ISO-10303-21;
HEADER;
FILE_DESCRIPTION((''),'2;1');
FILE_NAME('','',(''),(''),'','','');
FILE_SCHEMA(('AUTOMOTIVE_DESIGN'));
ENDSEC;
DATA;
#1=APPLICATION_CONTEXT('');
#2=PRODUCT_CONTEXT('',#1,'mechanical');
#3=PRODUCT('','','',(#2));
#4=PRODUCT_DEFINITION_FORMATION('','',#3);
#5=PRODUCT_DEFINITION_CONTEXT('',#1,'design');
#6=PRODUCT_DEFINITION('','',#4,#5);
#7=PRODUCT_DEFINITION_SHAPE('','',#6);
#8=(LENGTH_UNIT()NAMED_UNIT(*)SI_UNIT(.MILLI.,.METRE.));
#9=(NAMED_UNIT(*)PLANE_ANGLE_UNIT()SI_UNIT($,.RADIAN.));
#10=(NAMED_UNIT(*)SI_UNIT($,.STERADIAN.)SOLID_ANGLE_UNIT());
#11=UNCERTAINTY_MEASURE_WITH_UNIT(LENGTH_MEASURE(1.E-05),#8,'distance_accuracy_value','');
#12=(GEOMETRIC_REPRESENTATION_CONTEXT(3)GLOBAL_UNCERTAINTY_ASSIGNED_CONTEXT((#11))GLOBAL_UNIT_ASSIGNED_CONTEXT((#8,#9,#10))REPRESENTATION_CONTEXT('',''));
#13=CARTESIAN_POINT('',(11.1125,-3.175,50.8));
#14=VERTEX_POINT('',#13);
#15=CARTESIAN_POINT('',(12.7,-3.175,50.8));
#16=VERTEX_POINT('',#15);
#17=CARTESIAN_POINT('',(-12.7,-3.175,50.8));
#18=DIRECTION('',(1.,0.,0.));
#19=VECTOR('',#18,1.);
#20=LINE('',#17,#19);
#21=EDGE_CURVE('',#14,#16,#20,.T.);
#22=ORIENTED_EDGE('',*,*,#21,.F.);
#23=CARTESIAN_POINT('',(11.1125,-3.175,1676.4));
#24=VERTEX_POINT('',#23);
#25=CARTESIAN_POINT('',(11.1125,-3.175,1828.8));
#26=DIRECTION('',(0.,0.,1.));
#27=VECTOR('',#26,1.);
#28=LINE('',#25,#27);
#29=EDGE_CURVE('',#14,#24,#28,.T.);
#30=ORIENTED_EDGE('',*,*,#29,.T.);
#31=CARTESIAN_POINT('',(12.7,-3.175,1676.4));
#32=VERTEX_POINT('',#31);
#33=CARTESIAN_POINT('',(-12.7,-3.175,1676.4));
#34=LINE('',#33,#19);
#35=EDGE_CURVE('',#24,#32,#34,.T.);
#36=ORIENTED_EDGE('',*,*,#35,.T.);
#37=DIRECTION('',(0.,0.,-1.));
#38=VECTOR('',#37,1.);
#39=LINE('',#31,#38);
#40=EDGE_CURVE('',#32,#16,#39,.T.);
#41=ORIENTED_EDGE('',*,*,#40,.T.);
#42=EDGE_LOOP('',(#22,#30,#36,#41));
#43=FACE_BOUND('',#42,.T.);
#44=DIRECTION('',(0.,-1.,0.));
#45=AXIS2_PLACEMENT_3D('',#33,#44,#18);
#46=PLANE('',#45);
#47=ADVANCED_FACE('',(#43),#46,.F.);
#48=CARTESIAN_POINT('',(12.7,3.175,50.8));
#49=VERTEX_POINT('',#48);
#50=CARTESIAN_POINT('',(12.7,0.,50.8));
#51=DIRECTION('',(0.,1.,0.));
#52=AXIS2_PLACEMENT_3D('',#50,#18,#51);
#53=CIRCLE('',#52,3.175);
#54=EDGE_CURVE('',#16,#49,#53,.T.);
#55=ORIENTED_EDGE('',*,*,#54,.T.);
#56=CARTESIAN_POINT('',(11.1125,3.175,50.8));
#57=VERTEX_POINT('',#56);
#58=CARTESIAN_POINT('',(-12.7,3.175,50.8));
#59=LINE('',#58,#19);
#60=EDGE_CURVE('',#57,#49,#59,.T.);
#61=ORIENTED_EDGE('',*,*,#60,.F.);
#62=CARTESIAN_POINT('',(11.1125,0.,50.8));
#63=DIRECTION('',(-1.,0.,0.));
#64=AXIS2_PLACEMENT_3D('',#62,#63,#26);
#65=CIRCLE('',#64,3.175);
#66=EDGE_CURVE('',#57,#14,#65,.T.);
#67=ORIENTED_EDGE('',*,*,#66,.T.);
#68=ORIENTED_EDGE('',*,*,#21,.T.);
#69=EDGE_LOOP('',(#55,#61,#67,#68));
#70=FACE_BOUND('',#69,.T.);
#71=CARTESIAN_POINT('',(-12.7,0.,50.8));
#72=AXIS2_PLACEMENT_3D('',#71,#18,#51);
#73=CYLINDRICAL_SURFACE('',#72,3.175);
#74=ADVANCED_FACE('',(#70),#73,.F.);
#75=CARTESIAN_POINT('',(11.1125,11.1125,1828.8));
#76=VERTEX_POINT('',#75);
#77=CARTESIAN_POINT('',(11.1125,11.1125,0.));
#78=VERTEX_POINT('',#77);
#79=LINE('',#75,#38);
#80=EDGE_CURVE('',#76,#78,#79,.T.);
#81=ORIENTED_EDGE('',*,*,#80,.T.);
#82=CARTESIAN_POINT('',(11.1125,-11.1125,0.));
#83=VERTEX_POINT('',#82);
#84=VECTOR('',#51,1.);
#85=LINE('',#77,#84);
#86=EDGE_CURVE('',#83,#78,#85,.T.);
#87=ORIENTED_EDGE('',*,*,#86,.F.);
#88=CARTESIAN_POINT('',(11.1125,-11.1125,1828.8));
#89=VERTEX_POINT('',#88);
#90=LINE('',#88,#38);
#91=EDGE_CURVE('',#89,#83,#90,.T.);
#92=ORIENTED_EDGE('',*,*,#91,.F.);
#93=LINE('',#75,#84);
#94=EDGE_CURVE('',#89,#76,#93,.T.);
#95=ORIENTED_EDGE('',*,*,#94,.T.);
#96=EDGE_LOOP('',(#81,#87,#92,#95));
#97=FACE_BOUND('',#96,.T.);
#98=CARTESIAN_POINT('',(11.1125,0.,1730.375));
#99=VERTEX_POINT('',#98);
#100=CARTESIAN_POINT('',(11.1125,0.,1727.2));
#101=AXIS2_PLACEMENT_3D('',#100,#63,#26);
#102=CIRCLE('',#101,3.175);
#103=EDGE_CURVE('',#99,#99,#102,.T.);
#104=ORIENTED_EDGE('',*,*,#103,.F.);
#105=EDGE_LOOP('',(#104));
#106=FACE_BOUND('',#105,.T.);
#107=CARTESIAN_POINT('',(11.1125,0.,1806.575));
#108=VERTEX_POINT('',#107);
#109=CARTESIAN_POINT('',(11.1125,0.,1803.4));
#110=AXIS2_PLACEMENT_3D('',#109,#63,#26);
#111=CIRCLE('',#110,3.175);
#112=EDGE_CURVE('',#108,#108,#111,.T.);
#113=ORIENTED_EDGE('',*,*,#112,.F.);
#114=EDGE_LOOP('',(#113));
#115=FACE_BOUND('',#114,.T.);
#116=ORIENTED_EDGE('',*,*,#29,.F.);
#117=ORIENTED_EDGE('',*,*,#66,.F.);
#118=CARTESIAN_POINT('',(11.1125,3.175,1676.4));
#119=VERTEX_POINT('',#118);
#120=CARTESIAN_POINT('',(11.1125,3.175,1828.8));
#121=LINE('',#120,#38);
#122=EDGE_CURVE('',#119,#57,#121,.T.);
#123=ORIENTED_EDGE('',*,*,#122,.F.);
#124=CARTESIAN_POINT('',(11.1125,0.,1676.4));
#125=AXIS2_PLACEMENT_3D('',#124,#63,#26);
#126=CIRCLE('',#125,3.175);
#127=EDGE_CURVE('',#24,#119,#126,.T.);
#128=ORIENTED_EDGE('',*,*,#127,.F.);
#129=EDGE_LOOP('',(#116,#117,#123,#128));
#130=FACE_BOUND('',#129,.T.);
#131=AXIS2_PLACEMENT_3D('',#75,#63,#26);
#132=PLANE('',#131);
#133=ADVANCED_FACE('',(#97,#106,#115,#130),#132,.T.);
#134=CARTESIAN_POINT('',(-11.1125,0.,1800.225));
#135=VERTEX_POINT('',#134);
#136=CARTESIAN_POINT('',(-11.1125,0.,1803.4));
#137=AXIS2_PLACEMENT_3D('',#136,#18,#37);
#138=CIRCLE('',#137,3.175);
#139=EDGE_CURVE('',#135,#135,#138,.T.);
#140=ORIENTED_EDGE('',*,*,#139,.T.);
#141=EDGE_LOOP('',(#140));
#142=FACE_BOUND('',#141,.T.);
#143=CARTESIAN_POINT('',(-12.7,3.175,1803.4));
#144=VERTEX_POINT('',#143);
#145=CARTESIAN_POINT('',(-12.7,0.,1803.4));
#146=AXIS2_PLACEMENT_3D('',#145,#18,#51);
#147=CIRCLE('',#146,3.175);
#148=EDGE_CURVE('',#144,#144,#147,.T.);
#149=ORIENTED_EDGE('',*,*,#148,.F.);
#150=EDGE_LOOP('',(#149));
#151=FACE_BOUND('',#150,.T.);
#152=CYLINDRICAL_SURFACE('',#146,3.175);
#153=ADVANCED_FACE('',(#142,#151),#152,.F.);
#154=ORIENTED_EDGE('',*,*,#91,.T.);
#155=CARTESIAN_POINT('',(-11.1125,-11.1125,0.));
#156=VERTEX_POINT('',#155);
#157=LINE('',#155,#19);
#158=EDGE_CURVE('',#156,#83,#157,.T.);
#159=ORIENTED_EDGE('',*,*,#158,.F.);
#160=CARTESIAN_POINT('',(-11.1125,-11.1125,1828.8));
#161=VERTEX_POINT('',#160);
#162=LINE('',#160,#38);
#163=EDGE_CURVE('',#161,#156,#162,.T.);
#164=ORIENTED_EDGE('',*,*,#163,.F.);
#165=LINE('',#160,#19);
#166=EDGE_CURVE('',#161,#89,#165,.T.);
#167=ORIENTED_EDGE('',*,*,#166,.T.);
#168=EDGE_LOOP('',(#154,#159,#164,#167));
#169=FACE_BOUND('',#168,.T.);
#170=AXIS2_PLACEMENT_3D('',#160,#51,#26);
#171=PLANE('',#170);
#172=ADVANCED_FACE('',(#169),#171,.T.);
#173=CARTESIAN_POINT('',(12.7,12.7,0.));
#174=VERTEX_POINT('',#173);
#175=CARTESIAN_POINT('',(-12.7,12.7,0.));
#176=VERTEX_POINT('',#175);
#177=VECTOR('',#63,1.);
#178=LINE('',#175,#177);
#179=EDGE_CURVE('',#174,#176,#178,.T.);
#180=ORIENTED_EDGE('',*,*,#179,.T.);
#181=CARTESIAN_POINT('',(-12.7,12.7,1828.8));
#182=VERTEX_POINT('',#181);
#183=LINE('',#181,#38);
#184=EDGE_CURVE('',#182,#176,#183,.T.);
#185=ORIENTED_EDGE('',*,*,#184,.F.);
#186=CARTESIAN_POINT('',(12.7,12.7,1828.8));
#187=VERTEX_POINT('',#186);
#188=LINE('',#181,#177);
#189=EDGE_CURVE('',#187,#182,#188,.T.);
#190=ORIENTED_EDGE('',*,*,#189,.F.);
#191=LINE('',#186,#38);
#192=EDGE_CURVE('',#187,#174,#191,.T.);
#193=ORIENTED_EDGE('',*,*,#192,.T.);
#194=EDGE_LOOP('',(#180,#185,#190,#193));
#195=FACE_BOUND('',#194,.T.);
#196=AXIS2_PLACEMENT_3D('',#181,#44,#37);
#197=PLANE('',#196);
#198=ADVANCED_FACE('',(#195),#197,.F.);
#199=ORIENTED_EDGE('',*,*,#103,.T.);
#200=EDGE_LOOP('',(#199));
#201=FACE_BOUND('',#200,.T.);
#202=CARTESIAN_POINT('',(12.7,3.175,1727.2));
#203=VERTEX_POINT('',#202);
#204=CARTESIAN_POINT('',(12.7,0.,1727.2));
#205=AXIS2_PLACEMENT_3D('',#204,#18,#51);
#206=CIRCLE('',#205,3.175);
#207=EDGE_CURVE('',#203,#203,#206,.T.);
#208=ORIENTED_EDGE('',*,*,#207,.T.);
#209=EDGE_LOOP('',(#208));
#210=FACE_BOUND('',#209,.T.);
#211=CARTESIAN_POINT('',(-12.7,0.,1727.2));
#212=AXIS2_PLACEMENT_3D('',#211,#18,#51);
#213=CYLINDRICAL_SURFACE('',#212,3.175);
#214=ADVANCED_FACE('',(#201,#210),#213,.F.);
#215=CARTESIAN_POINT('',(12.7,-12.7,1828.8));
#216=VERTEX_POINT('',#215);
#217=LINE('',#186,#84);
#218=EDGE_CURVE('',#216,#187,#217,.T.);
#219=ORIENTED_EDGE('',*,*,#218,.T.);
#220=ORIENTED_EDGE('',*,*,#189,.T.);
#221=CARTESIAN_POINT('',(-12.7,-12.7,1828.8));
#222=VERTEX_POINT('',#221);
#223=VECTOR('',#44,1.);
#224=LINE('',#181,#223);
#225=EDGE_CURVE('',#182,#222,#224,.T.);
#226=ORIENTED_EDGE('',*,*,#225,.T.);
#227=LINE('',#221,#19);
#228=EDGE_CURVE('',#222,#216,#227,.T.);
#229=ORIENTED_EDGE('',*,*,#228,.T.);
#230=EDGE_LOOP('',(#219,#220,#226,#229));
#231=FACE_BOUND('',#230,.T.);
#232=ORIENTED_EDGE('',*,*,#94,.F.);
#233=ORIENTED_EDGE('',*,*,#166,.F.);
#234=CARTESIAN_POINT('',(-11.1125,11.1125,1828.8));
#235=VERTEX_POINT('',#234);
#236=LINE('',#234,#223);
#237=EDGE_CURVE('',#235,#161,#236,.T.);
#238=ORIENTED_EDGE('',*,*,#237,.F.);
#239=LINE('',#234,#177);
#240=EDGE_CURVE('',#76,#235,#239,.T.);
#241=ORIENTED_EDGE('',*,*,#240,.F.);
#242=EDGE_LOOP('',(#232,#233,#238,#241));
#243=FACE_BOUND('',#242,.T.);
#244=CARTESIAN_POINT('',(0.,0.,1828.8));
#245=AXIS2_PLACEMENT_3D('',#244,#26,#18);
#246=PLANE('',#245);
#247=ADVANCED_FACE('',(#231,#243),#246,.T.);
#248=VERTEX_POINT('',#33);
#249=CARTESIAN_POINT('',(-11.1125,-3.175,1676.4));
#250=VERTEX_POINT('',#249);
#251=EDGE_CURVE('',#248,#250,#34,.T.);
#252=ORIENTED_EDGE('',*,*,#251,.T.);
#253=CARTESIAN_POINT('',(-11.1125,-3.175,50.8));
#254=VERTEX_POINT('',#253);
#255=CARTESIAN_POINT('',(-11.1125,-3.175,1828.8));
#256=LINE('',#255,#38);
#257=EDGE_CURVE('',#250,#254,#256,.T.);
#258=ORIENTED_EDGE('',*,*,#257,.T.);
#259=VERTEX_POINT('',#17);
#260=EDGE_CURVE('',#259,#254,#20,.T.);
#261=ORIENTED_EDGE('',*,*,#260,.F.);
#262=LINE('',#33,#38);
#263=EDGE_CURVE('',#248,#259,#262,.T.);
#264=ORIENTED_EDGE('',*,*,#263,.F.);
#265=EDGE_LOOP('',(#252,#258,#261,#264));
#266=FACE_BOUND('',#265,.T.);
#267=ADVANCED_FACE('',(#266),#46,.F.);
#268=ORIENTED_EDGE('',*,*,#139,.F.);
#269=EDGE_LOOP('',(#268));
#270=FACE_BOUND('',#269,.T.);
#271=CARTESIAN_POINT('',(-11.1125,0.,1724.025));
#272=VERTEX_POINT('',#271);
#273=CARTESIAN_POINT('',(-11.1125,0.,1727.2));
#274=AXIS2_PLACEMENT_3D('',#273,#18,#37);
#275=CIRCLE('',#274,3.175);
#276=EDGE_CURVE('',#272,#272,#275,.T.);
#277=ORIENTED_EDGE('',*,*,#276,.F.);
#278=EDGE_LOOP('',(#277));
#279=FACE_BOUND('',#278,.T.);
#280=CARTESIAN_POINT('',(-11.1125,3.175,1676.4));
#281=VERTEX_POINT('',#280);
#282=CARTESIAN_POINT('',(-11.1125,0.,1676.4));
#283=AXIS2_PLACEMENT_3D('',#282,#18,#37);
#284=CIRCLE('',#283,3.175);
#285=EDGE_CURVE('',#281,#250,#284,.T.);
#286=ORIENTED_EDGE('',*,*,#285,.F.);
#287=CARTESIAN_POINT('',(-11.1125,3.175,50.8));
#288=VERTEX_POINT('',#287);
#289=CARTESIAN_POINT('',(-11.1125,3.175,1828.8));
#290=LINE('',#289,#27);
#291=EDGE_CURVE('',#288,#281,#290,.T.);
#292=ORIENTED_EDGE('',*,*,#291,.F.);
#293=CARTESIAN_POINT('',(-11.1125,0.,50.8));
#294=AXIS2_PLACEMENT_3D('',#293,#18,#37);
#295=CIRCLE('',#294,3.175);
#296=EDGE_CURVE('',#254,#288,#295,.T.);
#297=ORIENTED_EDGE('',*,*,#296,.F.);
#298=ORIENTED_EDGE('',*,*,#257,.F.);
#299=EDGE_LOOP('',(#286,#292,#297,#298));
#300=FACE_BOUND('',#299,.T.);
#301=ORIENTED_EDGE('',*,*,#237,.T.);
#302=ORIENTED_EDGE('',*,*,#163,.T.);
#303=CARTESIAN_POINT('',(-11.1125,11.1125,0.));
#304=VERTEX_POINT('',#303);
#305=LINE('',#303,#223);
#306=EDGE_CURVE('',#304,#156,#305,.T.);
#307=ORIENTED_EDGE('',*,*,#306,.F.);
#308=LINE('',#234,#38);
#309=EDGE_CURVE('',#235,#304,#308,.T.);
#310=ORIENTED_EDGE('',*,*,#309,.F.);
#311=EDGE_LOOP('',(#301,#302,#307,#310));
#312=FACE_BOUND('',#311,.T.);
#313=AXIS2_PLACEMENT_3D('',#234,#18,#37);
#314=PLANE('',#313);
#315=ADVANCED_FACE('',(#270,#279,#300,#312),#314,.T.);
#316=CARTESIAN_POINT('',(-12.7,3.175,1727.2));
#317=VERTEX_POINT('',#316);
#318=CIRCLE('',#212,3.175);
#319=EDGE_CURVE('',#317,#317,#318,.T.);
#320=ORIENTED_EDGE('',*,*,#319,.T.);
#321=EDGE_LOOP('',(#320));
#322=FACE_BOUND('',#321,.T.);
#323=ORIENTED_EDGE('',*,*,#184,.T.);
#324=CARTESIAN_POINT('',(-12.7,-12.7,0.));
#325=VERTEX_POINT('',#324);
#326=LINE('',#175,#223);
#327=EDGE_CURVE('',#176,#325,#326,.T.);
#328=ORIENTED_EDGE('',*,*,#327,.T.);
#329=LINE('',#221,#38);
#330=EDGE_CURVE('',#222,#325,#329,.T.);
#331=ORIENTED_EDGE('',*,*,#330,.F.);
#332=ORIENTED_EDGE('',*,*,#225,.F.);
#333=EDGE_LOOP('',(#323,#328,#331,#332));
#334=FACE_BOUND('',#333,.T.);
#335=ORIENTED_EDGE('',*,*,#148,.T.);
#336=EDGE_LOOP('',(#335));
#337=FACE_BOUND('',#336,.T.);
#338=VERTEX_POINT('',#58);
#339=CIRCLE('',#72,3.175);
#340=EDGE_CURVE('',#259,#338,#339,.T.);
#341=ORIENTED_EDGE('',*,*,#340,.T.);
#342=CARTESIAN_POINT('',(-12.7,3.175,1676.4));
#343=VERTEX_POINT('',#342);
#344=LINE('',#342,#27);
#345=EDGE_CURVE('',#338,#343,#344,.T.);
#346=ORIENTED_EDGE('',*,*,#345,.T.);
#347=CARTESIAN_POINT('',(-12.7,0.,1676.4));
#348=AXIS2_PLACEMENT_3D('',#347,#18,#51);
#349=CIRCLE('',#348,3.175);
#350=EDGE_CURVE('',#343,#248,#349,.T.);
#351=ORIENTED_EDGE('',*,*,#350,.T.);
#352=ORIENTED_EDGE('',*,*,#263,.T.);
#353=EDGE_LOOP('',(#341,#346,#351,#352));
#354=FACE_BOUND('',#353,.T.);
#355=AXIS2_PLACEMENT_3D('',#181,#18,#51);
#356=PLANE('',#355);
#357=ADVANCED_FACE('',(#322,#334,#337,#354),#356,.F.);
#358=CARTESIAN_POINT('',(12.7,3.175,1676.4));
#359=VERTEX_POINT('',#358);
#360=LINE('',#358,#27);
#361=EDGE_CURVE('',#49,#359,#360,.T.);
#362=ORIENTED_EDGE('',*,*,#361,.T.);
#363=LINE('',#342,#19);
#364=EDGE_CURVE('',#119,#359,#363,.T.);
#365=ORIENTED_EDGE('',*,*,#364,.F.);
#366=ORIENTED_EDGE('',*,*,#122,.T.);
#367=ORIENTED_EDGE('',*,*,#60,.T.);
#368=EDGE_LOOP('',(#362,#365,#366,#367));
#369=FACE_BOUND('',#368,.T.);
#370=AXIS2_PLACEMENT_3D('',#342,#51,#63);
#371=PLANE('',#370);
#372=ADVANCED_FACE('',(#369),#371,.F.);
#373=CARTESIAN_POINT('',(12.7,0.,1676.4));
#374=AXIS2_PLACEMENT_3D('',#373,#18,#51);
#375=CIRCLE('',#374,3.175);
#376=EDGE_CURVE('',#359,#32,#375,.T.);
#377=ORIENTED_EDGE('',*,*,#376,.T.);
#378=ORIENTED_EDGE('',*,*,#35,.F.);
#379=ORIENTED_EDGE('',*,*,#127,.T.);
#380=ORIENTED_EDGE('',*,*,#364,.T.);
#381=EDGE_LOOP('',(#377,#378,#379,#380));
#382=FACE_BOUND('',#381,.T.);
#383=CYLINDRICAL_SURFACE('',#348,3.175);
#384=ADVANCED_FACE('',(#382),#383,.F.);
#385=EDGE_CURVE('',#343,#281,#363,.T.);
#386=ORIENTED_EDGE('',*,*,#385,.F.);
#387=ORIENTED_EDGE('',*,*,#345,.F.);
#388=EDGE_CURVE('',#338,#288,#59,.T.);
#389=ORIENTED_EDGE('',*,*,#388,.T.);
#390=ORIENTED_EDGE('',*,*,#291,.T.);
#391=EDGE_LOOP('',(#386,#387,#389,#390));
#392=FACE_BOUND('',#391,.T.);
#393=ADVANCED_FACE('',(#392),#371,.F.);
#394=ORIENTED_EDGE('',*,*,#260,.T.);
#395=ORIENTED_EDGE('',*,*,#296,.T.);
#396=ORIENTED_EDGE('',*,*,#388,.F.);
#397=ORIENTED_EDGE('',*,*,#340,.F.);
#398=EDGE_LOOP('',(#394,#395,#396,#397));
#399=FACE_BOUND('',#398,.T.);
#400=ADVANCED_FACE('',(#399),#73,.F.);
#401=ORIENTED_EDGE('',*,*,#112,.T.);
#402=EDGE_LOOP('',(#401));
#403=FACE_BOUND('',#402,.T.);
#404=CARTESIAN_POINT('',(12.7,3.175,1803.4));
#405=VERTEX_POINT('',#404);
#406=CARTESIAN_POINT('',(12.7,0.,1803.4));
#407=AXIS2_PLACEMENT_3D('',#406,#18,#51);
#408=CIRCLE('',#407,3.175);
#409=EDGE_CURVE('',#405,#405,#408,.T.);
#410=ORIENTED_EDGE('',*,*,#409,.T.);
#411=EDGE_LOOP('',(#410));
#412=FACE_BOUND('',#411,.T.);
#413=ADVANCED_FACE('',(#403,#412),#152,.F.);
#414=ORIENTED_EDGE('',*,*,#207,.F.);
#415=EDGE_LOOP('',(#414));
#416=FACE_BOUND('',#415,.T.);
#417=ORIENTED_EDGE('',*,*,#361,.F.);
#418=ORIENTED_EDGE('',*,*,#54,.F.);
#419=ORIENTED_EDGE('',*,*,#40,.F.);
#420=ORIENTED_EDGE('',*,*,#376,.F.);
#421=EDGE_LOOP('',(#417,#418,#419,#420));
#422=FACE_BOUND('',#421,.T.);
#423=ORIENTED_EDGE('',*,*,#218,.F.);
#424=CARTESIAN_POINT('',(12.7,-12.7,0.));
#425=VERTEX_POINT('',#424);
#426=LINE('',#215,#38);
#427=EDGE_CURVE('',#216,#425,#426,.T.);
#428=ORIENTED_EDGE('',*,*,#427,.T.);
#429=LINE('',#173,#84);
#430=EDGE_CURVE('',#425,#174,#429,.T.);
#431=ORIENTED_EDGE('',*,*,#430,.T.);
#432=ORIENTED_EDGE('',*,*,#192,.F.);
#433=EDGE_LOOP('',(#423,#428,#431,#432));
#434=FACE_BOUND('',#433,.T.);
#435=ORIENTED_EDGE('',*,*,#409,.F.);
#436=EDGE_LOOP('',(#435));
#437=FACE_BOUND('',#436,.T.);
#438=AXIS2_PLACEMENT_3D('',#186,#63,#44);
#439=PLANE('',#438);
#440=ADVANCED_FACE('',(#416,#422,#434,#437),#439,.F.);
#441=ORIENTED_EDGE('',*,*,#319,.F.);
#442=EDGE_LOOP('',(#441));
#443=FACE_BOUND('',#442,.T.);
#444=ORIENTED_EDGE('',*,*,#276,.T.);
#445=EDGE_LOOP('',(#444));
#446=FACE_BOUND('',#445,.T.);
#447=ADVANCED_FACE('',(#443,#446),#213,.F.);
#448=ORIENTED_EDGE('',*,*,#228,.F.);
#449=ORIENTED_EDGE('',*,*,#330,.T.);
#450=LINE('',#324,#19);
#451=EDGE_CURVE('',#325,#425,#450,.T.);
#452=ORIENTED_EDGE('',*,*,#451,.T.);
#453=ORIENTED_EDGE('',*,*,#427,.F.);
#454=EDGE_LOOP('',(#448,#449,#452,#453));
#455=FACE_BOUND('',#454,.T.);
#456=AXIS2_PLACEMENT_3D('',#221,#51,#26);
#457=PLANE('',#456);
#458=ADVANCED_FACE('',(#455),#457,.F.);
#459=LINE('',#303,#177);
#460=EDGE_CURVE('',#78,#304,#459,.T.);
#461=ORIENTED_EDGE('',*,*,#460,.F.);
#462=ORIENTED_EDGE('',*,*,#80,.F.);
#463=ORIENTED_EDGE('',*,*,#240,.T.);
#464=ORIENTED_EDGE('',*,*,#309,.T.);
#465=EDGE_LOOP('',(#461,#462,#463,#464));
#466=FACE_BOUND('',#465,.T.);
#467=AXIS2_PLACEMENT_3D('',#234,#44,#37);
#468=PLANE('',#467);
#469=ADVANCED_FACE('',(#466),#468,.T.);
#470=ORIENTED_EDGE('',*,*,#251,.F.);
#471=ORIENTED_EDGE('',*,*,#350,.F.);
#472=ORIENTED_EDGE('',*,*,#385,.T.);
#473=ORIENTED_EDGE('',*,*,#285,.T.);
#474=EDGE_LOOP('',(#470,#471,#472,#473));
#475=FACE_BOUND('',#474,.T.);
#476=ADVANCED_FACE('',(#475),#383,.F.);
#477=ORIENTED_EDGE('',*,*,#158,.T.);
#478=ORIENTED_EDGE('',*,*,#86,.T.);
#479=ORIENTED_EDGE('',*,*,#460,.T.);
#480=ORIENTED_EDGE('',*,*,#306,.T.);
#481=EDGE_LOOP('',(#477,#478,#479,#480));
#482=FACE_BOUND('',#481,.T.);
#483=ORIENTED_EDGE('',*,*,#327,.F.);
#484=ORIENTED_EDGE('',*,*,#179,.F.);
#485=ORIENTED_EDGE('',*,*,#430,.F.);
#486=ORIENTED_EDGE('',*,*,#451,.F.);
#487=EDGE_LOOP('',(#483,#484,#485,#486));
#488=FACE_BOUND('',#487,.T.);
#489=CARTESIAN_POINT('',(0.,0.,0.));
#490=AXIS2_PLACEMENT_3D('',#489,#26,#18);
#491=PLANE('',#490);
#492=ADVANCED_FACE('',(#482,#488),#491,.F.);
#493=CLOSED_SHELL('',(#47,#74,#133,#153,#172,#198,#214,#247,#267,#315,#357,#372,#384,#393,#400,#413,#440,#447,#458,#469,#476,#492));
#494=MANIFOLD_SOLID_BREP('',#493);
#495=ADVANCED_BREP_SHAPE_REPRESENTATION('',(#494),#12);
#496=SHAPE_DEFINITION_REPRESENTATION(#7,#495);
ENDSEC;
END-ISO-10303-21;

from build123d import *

# Parameters (mm, degrees)
SKETCH1_W           = 25.4
SKETCH1_H           = 25.4
SKETCH1_W_2         = 22.225
SKETCH1_H_2         = 22.225
BOSS_EXTRUDE1_DEPTH = 1828.8
SKETCH2_R           = 3.175
CUT_EXTRUDE1_DEPTH  = 26.4
CUT_EXTRUDE2_DEPTH  = 26.4


with BuildPart() as part:
    # Sketch1 → Boss-Extrude1 (new body)
    with BuildSketch(Plane.XY):
        Rectangle(SKETCH1_W, SKETCH1_H)
        Rectangle(SKETCH1_W_2, SKETCH1_H_2, mode=Mode.SUBTRACT)
    extrude(amount=BOSS_EXTRUDE1_DEPTH)

    # Sketch2 → Cut-Extrude1 (cut, through all)
    with BuildSketch(Plane(origin=(12.7, 0, 0), x_dir=(0, 0, -1), z_dir=(1, 0, 0))):
        with Locations((-1727.2, 0)):
            Circle(SKETCH2_R)
        with Locations((-1803.4, 0)):
            Circle(SKETCH2_R)
    extrude(amount=-CUT_EXTRUDE1_DEPTH, mode=Mode.SUBTRACT)

    # Sketch3 → Cut-Extrude2 (cut, through all)
    with BuildSketch(Plane(origin=(12.7, 0, 0), x_dir=(0, 0, -1), z_dir=(1, 0, 0))):
        with BuildLine():
            Line((-1676.4, 3.175), (-50.8, 3.175))
            ThreePointArc((-50.8, 3.175), (-47.625, 0), (-50.8, -3.175))
            Line((-50.8, -3.175), (-1676.4, -3.175))
            ThreePointArc((-1676.4, -3.175), (-1679.575, 0), (-1676.4, 3.175))
        make_face()
    extrude(amount=-CUT_EXTRUDE2_DEPTH, mode=Mode.SUBTRACT)


solid = part.part
